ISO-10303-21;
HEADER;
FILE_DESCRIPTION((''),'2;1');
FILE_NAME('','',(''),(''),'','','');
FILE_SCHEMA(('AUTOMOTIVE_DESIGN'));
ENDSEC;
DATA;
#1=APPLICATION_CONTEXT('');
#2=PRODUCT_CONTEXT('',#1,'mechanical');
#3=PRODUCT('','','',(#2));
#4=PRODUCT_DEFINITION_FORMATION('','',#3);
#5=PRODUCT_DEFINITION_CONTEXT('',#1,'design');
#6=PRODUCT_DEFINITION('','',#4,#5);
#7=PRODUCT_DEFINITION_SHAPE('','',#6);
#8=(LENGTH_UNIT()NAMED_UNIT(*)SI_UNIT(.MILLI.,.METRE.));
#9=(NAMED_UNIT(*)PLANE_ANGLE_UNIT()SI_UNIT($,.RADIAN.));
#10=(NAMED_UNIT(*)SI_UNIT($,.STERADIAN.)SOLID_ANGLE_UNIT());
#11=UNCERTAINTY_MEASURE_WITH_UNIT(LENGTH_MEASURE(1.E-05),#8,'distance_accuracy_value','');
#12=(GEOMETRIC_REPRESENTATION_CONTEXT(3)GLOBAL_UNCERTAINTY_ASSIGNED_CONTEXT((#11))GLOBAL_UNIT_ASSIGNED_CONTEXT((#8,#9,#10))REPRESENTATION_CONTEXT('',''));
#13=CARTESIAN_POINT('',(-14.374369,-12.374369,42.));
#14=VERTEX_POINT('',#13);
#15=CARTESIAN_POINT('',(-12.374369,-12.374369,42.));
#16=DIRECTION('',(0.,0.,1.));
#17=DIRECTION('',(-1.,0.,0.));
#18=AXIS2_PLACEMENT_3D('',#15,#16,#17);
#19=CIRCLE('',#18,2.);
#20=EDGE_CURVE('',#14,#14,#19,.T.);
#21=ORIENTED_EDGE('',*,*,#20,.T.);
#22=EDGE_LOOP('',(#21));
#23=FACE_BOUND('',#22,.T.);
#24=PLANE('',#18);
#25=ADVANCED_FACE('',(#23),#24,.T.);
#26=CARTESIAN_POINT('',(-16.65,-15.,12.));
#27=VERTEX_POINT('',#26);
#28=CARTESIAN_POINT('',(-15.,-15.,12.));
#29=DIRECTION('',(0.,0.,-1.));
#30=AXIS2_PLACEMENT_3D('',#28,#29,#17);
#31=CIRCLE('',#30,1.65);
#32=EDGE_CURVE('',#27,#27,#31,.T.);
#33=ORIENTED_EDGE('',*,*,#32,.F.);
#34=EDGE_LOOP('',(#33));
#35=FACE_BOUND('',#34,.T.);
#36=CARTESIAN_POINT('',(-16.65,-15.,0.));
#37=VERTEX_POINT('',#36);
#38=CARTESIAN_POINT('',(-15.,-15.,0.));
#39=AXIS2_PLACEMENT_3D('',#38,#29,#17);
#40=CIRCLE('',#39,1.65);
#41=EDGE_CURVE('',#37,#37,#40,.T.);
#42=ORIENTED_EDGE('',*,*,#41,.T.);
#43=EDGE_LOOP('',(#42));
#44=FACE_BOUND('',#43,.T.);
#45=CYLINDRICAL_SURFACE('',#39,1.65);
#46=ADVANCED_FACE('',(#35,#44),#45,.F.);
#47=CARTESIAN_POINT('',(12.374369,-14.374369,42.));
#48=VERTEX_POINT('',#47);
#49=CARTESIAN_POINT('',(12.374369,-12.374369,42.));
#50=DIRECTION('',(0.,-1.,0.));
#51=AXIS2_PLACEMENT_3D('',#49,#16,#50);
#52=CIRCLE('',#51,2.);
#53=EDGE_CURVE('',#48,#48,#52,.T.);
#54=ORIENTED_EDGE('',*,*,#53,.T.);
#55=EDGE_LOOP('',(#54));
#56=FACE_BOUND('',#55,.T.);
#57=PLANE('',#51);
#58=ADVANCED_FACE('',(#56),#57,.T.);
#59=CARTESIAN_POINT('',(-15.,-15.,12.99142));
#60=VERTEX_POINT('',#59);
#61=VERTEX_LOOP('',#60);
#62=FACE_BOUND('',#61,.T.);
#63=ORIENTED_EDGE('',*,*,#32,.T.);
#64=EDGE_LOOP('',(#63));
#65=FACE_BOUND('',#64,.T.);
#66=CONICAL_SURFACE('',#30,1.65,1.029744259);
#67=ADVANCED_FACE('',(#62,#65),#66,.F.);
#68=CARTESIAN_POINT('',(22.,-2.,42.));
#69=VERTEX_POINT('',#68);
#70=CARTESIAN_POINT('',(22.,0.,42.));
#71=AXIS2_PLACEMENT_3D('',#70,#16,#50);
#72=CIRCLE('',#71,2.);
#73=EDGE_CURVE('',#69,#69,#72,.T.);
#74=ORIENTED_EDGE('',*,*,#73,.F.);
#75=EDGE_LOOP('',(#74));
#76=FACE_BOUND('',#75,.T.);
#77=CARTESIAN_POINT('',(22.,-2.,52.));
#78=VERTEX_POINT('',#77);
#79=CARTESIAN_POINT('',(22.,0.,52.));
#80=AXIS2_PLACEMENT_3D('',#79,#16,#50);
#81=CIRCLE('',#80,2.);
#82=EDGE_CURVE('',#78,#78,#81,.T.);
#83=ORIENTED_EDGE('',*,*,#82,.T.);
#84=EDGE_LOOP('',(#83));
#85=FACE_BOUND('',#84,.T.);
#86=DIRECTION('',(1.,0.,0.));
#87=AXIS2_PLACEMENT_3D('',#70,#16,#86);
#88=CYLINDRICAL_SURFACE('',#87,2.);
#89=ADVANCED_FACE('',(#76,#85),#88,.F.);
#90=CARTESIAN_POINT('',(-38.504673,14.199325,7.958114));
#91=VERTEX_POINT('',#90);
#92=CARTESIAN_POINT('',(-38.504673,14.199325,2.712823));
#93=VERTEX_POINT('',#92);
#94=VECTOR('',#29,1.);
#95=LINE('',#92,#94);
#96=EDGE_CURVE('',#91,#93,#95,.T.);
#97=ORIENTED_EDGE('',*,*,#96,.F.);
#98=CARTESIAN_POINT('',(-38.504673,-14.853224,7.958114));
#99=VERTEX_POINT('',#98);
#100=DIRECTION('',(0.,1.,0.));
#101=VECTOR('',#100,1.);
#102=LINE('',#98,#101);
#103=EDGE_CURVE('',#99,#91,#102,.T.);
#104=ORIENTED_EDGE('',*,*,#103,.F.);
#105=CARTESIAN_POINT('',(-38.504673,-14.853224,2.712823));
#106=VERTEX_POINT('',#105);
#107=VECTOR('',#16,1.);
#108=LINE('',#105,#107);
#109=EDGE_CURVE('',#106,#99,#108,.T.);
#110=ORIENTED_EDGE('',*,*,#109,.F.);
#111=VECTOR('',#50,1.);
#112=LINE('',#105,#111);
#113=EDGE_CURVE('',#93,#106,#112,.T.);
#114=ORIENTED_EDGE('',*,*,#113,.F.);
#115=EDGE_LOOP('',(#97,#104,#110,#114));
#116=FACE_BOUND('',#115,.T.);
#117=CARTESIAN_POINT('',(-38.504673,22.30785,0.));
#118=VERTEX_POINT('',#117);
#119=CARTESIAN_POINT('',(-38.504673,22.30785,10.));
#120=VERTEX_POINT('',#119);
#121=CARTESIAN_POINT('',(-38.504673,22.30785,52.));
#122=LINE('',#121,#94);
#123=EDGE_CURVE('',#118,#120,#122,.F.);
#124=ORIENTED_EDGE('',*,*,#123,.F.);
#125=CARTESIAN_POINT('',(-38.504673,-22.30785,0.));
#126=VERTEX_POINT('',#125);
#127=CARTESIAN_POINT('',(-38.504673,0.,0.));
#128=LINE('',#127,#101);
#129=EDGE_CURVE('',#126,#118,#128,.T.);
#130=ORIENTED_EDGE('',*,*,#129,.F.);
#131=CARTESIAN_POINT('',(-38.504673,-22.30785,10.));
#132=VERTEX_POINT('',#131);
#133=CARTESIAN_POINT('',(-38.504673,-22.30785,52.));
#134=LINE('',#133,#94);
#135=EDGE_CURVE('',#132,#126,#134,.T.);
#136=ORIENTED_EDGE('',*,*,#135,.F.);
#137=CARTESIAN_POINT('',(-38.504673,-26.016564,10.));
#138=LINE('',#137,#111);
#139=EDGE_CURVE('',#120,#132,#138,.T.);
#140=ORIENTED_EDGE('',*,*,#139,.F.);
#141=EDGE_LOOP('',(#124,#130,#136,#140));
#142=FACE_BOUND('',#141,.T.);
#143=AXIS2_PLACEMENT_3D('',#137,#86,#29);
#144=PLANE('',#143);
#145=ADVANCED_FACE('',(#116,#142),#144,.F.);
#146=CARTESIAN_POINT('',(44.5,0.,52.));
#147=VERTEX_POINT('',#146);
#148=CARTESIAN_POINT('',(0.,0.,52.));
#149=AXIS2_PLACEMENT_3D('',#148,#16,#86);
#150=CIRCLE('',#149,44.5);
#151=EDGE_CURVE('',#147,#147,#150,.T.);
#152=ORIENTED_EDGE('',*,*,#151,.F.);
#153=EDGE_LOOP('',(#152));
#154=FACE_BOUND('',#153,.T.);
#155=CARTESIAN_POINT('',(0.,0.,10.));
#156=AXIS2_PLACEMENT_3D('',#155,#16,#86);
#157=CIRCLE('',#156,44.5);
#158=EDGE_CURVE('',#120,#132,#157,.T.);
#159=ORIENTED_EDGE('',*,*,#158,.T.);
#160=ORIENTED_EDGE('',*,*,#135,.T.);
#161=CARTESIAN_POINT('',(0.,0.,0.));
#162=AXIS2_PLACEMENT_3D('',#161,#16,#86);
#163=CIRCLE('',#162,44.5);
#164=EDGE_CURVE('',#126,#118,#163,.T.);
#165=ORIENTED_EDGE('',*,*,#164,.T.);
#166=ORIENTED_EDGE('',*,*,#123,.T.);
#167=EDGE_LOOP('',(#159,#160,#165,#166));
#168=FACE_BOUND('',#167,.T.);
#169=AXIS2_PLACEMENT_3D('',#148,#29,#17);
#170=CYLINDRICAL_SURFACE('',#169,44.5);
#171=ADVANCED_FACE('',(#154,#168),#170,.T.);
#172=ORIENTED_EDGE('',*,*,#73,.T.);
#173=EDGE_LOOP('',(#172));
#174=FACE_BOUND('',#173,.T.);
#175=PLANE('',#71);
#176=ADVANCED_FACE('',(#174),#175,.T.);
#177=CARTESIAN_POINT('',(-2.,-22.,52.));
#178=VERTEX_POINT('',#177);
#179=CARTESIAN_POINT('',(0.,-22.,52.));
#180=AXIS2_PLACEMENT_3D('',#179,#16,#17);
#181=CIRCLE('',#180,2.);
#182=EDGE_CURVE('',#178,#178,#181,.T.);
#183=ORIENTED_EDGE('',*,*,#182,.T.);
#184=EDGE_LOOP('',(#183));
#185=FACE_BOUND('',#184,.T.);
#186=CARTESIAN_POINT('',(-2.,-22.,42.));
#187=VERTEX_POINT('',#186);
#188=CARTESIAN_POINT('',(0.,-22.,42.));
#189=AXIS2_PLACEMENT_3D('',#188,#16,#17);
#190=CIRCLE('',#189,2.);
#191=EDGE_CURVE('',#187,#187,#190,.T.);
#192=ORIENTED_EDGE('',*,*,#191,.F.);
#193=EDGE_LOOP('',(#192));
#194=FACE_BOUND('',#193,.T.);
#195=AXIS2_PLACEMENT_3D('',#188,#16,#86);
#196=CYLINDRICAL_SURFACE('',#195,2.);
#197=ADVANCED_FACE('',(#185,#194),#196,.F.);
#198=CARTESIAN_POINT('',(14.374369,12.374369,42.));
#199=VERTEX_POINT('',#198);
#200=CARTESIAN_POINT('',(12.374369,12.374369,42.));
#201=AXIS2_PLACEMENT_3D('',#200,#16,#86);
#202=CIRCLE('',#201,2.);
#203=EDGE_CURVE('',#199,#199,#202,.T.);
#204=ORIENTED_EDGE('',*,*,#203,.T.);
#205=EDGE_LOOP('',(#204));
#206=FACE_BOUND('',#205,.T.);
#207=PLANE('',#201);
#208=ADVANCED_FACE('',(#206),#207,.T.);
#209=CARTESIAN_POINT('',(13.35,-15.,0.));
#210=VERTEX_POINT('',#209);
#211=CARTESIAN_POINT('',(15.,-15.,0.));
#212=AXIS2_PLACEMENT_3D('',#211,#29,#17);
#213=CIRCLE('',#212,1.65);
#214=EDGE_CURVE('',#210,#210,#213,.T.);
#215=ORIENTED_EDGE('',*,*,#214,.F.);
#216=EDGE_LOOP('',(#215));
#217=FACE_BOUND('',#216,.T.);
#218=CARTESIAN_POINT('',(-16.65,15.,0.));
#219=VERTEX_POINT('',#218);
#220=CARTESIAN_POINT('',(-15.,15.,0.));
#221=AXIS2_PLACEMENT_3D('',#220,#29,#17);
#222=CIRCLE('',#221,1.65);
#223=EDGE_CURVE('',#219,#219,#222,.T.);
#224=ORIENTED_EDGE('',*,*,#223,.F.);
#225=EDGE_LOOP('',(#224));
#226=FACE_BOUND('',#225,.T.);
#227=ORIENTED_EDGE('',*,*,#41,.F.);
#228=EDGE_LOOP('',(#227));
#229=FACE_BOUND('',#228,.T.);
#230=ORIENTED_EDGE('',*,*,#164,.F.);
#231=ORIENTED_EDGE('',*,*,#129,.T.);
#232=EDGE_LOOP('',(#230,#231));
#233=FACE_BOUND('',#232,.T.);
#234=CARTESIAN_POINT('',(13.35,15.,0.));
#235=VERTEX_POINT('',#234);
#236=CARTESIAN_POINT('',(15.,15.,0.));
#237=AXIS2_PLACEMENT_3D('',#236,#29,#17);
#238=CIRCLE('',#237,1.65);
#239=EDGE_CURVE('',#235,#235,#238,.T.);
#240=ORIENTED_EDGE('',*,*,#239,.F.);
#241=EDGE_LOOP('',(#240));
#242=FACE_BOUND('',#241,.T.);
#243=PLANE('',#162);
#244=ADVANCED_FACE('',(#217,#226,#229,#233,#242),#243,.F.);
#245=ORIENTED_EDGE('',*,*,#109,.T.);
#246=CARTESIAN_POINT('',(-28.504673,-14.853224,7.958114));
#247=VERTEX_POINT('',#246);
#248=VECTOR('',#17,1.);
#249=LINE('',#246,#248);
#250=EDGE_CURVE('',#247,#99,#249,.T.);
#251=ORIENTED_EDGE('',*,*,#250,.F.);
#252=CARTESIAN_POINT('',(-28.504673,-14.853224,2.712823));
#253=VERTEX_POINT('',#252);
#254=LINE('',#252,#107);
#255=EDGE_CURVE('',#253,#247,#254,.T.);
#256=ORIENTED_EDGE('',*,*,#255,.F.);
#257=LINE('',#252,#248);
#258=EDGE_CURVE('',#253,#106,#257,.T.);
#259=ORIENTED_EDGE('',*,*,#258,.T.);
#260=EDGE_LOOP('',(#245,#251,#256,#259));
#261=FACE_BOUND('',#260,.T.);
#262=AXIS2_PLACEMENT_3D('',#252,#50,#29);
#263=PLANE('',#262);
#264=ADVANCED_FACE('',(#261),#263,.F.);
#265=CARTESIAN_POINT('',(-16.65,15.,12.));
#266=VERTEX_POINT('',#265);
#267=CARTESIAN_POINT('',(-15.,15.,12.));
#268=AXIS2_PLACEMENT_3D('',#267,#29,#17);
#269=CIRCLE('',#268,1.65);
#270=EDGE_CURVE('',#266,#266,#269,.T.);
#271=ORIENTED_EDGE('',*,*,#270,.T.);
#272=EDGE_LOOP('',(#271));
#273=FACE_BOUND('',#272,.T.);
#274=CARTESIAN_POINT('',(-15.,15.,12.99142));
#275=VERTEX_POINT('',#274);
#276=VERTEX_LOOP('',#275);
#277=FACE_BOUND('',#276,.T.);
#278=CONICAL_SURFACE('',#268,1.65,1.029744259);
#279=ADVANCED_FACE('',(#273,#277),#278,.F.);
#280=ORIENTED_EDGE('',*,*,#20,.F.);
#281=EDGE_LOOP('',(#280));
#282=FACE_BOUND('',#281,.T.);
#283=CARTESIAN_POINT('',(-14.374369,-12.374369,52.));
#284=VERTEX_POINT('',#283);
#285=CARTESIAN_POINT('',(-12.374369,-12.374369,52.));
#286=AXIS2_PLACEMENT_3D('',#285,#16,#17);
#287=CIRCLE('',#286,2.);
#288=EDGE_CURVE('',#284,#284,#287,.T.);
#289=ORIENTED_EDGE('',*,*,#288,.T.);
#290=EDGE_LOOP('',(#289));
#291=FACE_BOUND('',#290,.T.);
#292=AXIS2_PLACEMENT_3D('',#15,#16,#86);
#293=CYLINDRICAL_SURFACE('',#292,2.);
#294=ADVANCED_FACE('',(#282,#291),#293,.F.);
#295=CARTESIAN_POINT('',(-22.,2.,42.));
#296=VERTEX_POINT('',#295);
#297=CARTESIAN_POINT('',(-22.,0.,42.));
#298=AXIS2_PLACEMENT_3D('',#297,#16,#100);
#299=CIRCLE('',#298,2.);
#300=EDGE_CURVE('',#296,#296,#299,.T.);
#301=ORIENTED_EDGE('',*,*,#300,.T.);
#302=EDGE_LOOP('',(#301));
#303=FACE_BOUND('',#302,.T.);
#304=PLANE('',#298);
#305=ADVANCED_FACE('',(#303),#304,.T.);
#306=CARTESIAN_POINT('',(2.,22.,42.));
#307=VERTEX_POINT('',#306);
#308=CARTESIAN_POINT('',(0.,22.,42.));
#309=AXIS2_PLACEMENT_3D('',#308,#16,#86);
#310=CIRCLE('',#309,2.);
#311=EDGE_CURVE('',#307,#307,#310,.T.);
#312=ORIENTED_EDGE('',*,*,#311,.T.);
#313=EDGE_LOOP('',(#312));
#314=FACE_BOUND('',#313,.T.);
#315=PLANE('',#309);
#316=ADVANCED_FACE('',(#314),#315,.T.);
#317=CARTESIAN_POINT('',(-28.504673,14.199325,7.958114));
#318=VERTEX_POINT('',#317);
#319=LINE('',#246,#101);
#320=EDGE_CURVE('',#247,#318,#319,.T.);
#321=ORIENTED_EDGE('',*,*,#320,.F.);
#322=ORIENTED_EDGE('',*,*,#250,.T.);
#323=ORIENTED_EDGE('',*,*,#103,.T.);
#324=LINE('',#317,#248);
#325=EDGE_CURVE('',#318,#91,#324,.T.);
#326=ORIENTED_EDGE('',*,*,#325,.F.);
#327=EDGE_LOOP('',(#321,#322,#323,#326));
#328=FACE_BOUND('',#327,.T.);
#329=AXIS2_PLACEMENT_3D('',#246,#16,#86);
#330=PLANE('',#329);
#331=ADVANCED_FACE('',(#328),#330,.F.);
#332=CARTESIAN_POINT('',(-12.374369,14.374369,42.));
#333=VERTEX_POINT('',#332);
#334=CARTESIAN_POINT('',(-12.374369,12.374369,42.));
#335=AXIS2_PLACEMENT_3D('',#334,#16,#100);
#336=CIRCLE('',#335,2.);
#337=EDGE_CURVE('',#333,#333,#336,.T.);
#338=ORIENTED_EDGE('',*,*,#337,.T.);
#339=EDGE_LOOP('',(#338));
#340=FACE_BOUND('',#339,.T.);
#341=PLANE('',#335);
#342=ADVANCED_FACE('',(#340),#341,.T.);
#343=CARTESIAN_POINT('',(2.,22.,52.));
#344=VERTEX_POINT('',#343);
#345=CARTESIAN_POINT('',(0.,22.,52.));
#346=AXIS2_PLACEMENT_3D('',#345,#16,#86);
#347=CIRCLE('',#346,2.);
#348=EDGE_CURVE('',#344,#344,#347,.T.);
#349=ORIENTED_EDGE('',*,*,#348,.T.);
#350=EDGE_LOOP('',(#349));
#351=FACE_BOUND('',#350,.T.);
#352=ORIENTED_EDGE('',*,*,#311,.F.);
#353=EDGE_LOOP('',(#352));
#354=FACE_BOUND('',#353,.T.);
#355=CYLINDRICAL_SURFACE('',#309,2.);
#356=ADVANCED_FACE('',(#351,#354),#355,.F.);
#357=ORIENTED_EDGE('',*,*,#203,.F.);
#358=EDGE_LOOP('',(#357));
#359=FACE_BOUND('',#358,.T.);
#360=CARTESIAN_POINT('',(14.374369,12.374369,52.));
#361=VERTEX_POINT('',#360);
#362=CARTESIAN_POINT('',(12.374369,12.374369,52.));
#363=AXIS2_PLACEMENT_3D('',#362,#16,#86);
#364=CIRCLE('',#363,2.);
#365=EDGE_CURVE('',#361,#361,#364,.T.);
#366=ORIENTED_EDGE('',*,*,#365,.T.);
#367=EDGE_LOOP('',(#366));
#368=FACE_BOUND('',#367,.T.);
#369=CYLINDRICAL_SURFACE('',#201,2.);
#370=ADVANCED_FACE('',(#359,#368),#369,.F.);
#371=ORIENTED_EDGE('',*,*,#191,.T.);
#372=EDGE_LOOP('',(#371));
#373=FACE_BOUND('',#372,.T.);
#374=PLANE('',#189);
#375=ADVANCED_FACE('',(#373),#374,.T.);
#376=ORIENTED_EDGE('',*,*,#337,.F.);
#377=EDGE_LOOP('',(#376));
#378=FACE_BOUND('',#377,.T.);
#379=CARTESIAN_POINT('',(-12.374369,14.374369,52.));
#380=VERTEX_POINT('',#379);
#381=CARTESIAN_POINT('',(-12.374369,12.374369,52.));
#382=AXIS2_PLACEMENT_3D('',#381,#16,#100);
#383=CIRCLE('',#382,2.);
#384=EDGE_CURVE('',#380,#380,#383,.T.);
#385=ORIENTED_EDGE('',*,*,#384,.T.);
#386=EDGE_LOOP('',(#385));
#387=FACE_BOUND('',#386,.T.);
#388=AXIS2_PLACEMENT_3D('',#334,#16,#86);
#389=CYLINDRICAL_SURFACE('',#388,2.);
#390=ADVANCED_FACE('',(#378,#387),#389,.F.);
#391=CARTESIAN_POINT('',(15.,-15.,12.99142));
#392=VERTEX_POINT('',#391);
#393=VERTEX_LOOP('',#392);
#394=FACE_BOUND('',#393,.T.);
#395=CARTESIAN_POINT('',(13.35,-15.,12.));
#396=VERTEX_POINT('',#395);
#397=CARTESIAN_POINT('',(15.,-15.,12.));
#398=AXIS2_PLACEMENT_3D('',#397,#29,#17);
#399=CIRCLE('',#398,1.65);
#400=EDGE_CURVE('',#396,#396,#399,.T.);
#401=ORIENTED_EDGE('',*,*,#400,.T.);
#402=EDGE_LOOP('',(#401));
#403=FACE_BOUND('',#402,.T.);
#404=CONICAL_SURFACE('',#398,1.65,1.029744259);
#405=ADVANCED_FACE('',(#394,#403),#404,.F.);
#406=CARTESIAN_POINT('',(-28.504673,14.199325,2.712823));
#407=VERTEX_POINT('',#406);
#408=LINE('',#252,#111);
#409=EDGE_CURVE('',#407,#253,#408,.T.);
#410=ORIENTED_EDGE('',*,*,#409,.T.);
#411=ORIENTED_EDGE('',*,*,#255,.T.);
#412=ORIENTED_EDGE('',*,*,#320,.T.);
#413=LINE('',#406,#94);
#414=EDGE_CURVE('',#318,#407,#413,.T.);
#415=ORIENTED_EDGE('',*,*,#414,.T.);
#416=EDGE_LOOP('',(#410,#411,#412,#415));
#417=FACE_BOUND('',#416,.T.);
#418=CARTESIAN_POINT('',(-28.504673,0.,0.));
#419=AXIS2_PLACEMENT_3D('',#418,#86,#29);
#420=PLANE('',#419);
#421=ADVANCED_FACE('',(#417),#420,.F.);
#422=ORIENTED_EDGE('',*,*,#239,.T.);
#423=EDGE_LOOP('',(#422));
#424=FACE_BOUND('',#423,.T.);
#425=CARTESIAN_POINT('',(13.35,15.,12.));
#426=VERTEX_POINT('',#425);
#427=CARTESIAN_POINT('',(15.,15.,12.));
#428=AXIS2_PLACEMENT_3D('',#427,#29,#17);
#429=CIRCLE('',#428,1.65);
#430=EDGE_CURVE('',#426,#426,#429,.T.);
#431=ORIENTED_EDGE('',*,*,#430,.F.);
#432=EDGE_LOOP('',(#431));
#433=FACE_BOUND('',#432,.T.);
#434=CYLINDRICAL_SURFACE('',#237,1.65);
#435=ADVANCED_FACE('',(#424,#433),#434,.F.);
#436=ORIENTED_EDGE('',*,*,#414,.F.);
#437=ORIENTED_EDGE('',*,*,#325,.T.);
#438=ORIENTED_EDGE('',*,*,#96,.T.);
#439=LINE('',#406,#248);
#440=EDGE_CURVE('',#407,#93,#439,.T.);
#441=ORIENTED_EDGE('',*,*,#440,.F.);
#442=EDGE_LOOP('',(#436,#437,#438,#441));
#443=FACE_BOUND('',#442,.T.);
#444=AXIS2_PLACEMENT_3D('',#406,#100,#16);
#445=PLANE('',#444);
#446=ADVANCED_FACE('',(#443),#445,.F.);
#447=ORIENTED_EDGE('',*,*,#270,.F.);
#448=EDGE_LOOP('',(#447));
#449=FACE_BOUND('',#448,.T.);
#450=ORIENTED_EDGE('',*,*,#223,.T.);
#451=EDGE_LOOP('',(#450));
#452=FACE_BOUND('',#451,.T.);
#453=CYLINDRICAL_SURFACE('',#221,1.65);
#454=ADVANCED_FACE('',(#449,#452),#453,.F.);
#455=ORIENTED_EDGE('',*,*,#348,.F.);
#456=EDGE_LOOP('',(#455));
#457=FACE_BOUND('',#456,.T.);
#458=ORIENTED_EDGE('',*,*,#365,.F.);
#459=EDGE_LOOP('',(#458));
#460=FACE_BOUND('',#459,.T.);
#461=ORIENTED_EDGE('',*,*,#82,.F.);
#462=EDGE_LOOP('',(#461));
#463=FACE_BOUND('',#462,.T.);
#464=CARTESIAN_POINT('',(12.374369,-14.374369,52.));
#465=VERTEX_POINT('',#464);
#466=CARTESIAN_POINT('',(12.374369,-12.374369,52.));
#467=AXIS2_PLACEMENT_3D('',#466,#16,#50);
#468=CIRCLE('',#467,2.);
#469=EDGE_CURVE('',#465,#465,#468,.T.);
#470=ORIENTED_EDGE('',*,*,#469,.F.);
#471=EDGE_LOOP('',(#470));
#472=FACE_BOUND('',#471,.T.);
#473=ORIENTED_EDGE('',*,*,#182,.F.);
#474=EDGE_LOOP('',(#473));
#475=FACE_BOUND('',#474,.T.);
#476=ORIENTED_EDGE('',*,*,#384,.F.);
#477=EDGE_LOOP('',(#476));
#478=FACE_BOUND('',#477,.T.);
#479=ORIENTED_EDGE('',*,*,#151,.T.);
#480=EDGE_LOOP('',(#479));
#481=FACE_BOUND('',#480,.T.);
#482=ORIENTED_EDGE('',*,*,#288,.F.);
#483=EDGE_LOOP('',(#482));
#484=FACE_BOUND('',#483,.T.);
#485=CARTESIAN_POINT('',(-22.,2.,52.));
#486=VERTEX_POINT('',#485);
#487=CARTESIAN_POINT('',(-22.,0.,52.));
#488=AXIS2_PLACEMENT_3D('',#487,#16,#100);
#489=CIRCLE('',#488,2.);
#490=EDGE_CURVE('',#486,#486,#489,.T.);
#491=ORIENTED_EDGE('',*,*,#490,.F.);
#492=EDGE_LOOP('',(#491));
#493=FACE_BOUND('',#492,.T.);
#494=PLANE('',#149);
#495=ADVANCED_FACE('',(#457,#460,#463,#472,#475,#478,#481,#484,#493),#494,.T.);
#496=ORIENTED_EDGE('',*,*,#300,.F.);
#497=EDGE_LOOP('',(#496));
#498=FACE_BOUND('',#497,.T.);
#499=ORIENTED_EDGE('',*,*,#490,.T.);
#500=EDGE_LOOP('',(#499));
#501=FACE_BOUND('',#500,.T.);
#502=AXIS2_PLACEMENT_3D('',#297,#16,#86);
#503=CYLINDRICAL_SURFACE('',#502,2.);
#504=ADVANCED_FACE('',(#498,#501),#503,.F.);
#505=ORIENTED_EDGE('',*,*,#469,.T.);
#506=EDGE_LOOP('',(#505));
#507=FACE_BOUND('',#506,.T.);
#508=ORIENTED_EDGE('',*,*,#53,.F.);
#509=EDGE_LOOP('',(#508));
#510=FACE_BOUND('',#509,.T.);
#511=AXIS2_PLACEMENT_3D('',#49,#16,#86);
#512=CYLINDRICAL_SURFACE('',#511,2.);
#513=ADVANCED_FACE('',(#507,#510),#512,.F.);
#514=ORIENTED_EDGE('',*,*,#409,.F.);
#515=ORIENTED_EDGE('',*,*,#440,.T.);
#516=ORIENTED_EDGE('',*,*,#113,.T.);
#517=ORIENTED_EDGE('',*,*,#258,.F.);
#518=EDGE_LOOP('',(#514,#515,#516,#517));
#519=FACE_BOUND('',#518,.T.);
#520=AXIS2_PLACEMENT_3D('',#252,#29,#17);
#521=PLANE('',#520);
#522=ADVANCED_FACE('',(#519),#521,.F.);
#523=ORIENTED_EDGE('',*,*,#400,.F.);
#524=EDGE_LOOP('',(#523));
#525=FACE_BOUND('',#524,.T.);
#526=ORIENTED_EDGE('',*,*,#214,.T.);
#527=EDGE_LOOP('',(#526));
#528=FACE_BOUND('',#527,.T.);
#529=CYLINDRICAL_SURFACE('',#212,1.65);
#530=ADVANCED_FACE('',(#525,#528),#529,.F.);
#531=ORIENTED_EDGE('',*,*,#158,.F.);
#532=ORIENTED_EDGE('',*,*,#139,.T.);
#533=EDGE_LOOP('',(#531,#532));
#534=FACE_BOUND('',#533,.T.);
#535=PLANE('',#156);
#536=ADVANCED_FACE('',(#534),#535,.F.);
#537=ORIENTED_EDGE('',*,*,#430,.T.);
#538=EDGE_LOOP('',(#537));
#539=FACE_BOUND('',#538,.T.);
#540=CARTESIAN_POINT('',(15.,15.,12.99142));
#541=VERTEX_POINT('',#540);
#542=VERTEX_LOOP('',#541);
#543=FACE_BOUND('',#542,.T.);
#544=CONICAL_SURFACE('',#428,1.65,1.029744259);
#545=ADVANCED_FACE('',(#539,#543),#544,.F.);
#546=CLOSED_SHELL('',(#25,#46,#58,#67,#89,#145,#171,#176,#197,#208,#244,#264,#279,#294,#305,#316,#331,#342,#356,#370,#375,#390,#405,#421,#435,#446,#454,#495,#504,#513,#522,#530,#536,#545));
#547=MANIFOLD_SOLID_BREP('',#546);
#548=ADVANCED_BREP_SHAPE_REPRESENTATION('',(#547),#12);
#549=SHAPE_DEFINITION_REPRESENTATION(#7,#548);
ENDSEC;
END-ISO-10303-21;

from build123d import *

# Parameters (mm, degrees)
SKETCH_1_R               = 44.5
EXTRUDE_1_DEPTH          = 52
HOLE_WIZARD_M4_1_D       = 3.3
HOLE_WIZARD_M4_1_DEPTH   = 12
HOLE_WIZARD_M4_1_TIP     = 0.991420021
SKETCH_4_R               = 2
CUT_EXTRUDE_1_DEPTH      = 10
PATTERN_CIRCULAR_1_COUNT = 4
SKETCH_5_W               = 19.478252765
SKETCH_5_H               = 48.547320344
CUT_EXTRUDE_2_DEPTH      = 10
SKETCH_6_W               = 5.245291094
SKETCH_6_H               = 29.052548629
CUT_EXTRUDE_3_DEPTH      = 10


with BuildPart() as part:
    # 草图1 → 凸台-拉伸1 (new body)
    with BuildSketch(Plane.XY):
        with Locations(Location((0, 0, 0), (0, 0, 180))):
            Circle(SKETCH_1_R)
    extrude(amount=EXTRUDE_1_DEPTH)

    # M4 螺纹孔的螺纹孔钻头1
    with Locations(Plane(origin=(15, 15, 0), x_dir=(-1, 0, 0), z_dir=(0, 0, -1))):
        with Locations((0, 0), (30, 0), (30, -30), (0, -30)):
            Hole(HOLE_WIZARD_M4_1_D / 2, depth=HOLE_WIZARD_M4_1_DEPTH)
            with Locations((0, 0, -(HOLE_WIZARD_M4_1_DEPTH + HOLE_WIZARD_M4_1_TIP / 2))):  # 118° drill point
                Cone(0, HOLE_WIZARD_M4_1_D / 2, HOLE_WIZARD_M4_1_TIP, mode=Mode.SUBTRACT)

    # 草图4 → 切除-拉伸1 (cut)
    with BuildSketch(Plane.XY.offset(52)):
        with Locations((0, 22)):
            Circle(SKETCH_4_R)
        with Locations((12.374368671, 12.374368671)):
            Circle(SKETCH_4_R)
    cut_extrude_1 = extrude(amount=-CUT_EXTRUDE_1_DEPTH, mode=Mode.SUBTRACT)

    # 阵列(圆周)1: 切除-拉伸1 ×4 about axis
    pattern_circular_1_axis = Axis((0, 0, 0), (0, 0, 1))
    for i in range(1, PATTERN_CIRCULAR_1_COUNT):
        add(cut_extrude_1.rotate(pattern_circular_1_axis, i * 360 / PATTERN_CIRCULAR_1_COUNT), mode=Mode.SUBTRACT)

    # 草图5 → 切除-拉伸2 (cut)
    with BuildSketch(Plane(origin=(0, 0, 0), x_dir=(-1, 0, 0), z_dir=(0, 0, -1))):
        with Locations((48.243799035, -1.742903496)):
            Rectangle(SKETCH_5_W, SKETCH_5_H)
    extrude(amount=-CUT_EXTRUDE_2_DEPTH, mode=Mode.SUBTRACT)

    # 草图6 → 切除-拉伸3 (cut)
    with BuildSketch(Plane.ZY.offset(38.504672652)):
        with Locations((5.335468617, -0.326949721)):
            Rectangle(SKETCH_6_W, SKETCH_6_H)
    extrude(amount=-CUT_EXTRUDE_3_DEPTH, mode=Mode.SUBTRACT)


solid = part.part
